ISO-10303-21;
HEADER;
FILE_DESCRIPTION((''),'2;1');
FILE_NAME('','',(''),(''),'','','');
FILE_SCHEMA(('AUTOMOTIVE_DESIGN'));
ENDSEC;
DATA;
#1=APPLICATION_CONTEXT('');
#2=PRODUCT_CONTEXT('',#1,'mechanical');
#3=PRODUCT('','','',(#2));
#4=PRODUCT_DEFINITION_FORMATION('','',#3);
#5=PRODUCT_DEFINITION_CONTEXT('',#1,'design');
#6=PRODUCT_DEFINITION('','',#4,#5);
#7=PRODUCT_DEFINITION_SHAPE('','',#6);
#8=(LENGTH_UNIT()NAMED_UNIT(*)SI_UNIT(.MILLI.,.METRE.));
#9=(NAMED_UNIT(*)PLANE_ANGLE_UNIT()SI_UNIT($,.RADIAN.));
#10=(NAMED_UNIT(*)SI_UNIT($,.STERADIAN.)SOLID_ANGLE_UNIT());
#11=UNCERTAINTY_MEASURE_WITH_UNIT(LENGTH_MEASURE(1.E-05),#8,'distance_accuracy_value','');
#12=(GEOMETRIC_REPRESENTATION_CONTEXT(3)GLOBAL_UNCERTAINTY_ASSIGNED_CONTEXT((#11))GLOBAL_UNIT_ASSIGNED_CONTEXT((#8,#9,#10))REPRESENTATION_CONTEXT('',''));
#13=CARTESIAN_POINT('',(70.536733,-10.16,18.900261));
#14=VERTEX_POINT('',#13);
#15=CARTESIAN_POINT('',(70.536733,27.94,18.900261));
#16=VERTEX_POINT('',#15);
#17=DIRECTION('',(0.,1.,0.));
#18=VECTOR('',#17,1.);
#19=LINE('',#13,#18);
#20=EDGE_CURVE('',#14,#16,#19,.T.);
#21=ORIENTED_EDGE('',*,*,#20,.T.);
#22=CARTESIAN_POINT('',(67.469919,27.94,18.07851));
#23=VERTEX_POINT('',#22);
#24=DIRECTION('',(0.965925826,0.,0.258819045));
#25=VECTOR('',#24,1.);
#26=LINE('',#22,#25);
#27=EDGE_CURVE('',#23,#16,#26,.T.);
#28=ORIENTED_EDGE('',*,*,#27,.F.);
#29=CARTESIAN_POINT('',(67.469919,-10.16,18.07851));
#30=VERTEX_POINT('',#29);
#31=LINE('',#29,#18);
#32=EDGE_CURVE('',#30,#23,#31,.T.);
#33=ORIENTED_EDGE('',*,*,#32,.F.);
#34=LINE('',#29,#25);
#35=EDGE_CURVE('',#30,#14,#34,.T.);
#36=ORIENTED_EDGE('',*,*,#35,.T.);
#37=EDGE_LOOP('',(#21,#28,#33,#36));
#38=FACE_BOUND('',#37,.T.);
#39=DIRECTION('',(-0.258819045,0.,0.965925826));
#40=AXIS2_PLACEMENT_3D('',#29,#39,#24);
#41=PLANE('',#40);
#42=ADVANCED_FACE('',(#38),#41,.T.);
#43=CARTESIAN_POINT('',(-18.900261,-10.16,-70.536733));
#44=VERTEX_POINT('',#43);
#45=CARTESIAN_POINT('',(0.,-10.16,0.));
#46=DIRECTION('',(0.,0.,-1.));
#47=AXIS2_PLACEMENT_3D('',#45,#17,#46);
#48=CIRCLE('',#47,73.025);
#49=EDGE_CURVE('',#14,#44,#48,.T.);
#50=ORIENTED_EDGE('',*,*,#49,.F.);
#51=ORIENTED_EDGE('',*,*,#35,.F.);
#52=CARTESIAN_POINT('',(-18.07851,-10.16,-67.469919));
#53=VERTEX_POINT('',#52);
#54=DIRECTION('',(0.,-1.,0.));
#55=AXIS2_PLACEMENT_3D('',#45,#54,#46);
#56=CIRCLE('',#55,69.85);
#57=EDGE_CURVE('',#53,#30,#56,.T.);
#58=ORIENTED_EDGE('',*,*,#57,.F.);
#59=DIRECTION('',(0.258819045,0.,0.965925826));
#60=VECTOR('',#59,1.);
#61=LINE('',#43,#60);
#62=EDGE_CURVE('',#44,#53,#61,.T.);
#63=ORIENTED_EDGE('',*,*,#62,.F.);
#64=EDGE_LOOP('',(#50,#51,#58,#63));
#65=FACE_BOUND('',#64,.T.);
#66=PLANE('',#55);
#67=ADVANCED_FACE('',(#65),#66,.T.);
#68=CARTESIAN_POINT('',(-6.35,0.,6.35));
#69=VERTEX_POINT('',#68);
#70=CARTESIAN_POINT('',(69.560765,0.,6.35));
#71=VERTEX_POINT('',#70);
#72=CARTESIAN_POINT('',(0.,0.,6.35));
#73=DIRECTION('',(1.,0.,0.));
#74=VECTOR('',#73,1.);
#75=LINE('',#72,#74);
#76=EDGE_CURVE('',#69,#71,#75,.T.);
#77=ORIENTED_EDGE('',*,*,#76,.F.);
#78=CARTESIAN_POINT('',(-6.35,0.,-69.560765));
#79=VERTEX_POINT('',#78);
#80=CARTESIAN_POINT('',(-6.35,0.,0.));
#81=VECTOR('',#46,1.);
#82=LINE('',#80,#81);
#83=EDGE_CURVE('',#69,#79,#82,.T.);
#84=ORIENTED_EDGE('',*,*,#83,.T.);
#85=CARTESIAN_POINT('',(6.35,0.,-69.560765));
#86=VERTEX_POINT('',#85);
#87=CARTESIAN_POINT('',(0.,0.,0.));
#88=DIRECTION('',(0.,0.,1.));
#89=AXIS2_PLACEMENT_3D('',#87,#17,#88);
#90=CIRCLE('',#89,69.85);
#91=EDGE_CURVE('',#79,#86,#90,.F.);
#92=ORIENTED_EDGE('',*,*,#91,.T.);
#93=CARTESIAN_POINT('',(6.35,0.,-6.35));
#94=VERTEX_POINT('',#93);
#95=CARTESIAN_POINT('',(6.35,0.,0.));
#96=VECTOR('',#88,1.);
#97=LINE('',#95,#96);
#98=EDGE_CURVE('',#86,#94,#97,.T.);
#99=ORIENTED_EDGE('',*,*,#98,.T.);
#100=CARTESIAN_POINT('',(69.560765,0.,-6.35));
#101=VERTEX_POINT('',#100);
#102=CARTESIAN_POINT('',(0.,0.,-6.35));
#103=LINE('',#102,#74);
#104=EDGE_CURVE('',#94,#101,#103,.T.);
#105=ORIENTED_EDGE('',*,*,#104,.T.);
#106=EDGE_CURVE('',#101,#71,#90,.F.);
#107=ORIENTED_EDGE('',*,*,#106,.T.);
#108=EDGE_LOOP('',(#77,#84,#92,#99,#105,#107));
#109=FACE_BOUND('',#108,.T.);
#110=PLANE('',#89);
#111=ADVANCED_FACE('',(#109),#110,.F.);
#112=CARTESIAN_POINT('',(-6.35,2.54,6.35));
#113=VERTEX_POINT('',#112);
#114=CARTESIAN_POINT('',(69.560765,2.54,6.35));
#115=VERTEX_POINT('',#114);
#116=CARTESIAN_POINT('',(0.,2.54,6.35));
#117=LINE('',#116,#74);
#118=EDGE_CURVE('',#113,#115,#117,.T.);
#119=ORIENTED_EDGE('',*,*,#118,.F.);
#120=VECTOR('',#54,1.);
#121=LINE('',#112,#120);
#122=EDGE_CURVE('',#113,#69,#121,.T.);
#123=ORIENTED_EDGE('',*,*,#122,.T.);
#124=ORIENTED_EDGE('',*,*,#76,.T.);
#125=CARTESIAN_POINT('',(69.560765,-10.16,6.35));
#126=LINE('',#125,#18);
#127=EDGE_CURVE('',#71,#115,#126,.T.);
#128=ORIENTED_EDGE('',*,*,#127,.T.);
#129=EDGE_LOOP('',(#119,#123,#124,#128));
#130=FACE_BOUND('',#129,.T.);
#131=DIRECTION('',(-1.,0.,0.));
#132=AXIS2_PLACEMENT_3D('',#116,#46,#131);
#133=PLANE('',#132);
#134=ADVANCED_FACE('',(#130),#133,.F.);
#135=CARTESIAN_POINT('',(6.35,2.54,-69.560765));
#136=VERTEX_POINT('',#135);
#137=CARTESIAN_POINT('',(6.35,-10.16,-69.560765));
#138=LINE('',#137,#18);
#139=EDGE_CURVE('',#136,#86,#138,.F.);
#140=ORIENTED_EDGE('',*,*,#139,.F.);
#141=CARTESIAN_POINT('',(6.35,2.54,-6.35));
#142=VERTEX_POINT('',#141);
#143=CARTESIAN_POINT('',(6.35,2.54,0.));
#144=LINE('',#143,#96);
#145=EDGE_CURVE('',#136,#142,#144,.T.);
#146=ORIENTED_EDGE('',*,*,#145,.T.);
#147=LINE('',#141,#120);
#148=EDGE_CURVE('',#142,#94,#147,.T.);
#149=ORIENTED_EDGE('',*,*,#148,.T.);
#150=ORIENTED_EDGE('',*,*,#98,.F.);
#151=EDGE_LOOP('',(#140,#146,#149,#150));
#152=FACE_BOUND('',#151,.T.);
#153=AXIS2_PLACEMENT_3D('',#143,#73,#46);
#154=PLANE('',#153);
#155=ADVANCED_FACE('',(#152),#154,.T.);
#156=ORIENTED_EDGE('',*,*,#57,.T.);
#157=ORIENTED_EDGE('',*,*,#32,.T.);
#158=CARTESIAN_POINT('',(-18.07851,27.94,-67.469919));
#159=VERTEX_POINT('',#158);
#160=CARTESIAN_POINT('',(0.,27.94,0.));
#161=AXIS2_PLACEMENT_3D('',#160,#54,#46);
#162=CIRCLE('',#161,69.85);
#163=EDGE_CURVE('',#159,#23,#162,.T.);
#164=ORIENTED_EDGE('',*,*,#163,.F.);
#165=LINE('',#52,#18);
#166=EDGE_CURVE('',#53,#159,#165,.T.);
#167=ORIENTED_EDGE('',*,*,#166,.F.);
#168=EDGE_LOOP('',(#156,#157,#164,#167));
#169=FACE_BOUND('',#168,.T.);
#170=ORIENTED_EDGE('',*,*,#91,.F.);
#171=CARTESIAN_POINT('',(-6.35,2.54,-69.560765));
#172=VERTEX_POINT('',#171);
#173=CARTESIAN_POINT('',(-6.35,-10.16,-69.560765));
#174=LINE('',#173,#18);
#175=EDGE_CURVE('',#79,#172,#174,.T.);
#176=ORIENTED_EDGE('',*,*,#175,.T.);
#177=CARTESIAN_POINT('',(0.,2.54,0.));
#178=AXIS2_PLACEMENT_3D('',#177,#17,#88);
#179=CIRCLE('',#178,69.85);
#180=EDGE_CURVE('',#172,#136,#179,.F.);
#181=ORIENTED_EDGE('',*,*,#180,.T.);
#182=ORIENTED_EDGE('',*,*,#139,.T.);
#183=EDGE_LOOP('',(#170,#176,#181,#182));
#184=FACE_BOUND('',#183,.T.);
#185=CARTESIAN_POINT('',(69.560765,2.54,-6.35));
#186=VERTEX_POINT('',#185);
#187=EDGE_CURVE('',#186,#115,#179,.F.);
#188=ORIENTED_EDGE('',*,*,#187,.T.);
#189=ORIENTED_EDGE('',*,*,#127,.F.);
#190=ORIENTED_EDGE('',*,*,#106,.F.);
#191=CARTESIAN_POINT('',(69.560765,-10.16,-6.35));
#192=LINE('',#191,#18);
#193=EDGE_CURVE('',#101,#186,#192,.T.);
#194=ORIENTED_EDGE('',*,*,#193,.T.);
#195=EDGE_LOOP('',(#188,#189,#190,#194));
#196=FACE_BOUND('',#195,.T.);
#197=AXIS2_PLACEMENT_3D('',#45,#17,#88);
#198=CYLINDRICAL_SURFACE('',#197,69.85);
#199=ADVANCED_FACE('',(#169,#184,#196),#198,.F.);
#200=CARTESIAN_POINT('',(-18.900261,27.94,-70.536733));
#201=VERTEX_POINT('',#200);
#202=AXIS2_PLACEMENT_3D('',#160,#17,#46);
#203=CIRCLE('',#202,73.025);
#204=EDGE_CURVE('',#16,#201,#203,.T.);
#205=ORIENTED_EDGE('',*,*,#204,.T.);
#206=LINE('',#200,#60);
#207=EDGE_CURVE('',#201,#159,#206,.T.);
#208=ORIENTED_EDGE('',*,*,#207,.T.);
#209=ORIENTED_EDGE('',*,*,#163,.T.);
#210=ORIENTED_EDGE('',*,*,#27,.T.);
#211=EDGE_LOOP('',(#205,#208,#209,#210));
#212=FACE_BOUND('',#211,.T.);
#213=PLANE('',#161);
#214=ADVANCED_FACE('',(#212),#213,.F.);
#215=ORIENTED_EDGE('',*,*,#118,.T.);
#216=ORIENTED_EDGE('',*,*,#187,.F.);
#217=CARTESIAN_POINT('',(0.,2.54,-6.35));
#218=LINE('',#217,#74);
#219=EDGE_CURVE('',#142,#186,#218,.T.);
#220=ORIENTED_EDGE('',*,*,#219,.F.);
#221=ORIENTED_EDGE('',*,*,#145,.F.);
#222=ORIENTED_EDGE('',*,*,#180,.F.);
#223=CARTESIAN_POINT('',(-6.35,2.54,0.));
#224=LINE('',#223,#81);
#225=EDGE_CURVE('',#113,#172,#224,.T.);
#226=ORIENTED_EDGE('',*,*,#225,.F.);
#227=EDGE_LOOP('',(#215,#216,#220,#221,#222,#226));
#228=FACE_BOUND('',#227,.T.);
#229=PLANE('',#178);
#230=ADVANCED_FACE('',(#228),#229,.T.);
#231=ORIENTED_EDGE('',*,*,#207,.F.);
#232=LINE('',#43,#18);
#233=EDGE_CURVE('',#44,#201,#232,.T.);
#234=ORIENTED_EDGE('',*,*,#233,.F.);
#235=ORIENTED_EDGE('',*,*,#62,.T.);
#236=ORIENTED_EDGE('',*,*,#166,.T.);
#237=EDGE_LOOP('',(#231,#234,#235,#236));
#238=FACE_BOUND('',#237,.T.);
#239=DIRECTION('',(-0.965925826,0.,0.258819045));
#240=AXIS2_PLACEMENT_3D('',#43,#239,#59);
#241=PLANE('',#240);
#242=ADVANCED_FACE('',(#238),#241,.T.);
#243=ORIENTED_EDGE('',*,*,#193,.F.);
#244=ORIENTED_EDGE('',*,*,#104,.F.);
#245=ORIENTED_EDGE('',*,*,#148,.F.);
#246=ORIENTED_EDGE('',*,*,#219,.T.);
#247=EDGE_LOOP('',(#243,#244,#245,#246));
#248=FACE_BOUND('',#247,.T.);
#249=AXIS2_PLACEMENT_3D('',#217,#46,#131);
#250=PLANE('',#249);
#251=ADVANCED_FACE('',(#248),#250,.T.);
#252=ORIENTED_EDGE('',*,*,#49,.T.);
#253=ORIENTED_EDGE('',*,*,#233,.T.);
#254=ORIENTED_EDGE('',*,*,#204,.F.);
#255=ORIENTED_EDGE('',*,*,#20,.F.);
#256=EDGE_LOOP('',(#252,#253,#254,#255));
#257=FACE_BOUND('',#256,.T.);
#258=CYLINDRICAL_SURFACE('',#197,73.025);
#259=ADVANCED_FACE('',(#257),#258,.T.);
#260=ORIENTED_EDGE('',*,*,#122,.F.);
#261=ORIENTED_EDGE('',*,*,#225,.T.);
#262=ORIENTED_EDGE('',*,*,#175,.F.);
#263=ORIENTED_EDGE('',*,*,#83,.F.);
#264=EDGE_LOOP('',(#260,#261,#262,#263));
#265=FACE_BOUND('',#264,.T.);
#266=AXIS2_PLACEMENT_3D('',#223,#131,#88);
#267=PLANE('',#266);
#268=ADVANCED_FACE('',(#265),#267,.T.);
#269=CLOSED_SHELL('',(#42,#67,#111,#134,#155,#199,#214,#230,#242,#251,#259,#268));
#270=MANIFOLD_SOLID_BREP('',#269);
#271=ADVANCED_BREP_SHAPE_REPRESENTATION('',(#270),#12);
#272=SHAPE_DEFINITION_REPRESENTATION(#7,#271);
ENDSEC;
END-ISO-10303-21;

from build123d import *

# Parameters (mm, degrees)
BOSS_EXTRUDE1_DEPTH      = 2.54
BOSS_EXTRUDE4_DEPTH      = 25.4
BOSS_EXTRUDE4_DEPTH_BACK = 12.7


with BuildPart() as part:
    # Sketch1 → Boss-Extrude1 (new body)
    with BuildSketch(Plane(origin=(0, 0, 0), x_dir=(1, 0, 0), z_dir=(0, 1, 0))):
        Polygon((-6.35, 69.85), (-6.35, -6.35), (69.85, -6.35), (69.85, 6.35), (6.35, 6.35), (6.35, 69.85), align=None)
    extrude(amount=BOSS_EXTRUDE1_DEPTH)

    # Sketch2 → Boss-Extrude4 (add, two sides: drawn at the far end of the back side and taken through both)
    with BuildSketch(Plane(origin=(0, 2.54, 0), x_dir=(1, 0, 0), z_dir=(0, 1, 0)).offset(-BOSS_EXTRUDE4_DEPTH_BACK)):
        with BuildLine():
            Line((-18.900260769, 70.536733465), (-18.0785103, 67.469918966))
            ThreePointArc((-18.0785103, 67.469918966), (49.391408666, 49.391408666), (67.469918966, -18.0785103))
            Line((67.469918966, -18.0785103), (70.536733465, -18.900260769))
            ThreePointArc((70.536733465, -18.900260769), (51.636472696, 51.636472696), (-18.900260769, 70.536733465))
        make_face()
    extrude(amount=BOSS_EXTRUDE4_DEPTH + BOSS_EXTRUDE4_DEPTH_BACK)


solid = part.part
